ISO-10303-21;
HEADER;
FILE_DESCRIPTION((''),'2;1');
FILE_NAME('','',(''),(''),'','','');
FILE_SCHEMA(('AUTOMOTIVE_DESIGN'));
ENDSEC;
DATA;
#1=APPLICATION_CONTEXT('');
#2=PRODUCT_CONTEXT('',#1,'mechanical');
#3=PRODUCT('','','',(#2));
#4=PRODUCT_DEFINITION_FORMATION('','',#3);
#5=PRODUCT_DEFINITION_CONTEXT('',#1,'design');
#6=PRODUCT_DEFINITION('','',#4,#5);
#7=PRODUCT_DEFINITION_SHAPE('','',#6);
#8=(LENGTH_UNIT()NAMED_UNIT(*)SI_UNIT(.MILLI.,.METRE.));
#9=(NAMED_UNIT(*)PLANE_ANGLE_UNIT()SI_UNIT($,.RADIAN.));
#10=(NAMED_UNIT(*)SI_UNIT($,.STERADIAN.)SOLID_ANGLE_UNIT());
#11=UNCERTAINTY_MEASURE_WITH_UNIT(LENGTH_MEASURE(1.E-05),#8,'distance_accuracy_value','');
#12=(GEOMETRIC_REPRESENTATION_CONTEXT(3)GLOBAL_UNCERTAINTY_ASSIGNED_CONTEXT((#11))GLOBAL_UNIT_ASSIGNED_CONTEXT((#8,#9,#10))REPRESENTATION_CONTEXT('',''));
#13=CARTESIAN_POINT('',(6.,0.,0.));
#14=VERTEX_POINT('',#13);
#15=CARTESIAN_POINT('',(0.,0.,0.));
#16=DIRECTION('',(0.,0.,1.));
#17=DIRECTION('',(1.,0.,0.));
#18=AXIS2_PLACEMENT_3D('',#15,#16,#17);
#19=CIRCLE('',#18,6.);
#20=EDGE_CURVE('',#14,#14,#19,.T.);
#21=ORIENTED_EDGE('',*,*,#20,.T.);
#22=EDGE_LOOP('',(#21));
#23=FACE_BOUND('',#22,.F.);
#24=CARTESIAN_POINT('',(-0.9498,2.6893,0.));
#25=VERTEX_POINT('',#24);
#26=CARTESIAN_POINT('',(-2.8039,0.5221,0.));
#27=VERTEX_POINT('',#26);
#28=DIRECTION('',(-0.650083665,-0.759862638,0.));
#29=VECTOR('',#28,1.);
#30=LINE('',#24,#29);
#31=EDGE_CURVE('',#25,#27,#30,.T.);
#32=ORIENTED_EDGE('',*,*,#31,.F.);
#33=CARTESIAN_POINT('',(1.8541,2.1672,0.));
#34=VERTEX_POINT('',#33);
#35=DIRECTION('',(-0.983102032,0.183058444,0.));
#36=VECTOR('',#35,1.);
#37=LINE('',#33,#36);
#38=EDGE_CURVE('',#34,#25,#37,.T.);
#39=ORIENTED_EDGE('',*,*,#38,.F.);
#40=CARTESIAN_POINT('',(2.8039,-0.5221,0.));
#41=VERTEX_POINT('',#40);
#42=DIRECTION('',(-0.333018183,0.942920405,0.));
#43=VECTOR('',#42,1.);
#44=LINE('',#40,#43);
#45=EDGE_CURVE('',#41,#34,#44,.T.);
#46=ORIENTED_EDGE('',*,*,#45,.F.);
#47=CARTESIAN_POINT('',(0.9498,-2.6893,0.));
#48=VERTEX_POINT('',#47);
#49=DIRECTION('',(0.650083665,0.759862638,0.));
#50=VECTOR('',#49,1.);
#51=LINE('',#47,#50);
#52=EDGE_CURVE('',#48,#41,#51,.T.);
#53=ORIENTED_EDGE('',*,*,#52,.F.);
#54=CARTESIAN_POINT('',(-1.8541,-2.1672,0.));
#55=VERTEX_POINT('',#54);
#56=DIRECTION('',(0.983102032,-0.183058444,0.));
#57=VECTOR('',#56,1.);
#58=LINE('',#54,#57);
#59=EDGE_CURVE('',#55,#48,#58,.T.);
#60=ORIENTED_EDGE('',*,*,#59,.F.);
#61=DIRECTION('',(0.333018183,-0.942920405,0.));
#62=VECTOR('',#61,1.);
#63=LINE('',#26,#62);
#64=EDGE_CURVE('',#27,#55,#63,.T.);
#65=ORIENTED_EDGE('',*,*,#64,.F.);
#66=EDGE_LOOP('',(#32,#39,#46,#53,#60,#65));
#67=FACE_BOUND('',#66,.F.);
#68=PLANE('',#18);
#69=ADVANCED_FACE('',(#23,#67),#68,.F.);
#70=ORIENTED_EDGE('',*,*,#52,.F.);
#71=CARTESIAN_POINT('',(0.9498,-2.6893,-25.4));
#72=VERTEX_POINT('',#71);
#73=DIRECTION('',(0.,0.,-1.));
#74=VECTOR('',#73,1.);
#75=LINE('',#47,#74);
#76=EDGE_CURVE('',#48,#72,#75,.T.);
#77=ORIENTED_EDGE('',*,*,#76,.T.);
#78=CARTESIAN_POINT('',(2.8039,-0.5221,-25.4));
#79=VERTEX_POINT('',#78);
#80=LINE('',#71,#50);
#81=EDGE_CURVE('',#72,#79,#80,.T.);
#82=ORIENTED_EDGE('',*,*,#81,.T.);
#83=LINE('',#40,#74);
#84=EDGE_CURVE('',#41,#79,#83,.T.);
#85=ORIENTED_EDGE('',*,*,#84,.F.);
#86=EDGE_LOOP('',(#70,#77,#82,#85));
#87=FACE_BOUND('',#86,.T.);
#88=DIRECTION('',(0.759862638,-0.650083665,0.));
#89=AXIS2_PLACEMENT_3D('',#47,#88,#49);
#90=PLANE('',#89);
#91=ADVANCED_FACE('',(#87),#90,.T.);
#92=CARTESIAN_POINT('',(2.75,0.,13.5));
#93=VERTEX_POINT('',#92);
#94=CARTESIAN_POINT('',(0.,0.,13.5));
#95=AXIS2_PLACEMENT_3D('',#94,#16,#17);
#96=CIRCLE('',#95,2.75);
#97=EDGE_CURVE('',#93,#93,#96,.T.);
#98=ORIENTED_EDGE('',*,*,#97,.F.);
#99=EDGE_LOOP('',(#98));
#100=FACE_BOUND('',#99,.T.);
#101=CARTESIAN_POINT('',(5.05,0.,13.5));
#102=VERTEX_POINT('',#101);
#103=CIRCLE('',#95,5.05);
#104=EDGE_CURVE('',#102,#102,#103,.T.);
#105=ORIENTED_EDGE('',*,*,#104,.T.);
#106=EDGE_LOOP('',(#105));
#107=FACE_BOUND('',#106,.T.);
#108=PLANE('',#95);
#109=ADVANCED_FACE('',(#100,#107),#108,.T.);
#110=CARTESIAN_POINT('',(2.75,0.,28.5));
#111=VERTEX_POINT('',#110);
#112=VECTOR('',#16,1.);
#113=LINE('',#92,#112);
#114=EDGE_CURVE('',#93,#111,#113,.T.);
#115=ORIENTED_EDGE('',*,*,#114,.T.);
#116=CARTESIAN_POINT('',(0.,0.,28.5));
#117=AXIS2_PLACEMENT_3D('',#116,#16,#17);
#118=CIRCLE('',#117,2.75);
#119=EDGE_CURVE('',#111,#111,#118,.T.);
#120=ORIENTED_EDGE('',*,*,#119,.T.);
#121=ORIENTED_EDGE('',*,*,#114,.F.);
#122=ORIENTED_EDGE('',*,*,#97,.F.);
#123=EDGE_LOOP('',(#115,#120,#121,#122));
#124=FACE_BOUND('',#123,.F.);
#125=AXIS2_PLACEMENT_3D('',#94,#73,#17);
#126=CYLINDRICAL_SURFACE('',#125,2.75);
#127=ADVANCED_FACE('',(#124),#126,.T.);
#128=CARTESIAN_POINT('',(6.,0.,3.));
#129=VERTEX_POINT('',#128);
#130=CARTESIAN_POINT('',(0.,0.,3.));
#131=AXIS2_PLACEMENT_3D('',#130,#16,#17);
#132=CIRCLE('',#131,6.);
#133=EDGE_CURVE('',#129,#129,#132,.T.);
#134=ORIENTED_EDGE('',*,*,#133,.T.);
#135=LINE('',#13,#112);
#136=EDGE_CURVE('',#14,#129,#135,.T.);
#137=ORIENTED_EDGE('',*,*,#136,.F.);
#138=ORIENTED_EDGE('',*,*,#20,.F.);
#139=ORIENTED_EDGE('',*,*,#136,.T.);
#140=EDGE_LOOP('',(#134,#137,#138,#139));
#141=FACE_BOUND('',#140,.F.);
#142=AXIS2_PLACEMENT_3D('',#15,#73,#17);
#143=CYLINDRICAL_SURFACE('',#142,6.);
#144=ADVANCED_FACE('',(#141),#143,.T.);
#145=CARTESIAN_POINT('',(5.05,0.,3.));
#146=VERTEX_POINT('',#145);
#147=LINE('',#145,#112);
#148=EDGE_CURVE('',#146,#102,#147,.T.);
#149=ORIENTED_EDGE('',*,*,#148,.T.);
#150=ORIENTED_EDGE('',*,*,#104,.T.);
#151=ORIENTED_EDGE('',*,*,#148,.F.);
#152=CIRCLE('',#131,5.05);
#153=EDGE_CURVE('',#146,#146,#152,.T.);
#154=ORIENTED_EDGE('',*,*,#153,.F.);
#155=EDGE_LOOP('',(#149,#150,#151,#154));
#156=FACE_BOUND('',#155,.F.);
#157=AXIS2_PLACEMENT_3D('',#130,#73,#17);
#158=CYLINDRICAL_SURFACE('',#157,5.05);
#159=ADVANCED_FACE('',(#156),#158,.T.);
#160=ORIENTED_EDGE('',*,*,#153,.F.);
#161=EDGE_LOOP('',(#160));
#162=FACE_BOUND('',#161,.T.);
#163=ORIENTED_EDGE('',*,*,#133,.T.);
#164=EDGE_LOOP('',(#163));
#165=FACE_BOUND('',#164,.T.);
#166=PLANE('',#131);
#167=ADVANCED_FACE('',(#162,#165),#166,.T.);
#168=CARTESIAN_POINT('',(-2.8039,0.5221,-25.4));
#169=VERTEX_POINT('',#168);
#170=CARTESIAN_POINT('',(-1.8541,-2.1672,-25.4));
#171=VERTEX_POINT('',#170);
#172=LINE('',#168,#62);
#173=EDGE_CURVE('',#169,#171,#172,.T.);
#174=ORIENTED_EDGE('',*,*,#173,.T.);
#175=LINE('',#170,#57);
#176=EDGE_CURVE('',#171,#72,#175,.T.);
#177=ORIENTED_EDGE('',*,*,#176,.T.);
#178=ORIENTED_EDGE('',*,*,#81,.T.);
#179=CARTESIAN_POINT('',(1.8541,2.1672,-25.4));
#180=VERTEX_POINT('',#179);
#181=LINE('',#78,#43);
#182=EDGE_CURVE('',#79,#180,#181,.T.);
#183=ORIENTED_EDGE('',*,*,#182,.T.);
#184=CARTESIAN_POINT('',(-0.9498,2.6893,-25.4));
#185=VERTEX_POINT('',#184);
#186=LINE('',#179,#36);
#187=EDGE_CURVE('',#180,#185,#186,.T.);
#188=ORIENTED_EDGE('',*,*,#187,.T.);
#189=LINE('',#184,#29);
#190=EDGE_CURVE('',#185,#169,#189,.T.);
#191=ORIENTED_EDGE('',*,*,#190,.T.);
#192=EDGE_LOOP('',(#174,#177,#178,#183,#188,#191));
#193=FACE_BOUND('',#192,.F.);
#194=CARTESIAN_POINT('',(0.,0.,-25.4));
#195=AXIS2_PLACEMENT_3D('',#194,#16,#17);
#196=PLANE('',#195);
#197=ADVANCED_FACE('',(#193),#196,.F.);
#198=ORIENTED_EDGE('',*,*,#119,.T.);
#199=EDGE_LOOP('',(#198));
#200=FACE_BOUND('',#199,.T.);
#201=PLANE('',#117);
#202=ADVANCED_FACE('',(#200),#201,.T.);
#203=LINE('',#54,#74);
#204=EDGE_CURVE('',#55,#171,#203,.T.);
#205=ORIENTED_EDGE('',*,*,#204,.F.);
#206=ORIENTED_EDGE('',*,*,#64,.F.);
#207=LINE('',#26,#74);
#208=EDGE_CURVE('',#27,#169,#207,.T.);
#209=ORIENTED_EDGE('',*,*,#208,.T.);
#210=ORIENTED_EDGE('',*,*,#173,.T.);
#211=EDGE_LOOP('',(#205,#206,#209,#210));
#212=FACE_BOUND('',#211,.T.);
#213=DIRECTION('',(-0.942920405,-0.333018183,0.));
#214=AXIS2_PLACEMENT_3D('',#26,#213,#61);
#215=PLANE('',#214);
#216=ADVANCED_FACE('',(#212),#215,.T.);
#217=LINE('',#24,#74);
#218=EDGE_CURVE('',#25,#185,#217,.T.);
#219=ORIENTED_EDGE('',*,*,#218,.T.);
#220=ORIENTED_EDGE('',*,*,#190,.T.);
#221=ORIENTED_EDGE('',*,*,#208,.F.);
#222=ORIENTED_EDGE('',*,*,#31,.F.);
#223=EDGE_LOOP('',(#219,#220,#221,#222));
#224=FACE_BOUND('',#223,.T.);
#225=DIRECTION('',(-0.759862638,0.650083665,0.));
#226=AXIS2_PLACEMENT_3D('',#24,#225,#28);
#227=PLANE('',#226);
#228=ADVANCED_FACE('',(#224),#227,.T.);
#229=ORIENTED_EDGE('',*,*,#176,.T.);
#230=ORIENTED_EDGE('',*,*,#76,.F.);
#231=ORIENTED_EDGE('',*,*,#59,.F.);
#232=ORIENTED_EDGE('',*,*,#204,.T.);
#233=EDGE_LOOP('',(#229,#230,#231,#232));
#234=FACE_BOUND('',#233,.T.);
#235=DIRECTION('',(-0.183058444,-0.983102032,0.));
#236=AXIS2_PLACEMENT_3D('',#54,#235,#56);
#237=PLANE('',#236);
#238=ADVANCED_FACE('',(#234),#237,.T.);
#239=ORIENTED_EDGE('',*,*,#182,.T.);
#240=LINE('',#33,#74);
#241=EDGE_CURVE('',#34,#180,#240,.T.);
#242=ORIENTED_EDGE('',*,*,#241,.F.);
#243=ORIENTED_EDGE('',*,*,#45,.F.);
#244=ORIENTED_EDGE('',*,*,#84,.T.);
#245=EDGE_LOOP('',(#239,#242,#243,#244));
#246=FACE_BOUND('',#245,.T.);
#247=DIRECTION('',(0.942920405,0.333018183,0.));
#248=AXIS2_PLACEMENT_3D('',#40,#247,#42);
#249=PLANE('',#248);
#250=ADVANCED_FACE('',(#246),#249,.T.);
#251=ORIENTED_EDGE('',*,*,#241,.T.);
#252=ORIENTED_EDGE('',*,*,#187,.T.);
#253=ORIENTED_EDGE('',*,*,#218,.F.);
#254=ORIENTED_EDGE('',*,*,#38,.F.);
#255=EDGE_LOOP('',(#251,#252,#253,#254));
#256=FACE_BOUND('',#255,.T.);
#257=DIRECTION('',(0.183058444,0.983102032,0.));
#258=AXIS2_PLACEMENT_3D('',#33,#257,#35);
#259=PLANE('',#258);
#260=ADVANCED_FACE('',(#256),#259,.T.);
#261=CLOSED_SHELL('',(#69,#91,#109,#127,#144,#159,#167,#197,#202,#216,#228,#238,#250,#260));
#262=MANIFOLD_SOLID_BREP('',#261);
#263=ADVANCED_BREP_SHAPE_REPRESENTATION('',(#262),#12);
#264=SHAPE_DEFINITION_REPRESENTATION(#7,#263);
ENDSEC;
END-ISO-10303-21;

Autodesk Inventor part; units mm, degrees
ref_plane "YZ Plane" through (0, 0, 0) normal (1, 0, 0) x (0, 1, 0)
ref_plane "XZ Plane" through (0, 0, 0) normal (0, 1, 0) x (-1, 0, 0)
ref_plane "XY Plane" through (0, 0, 0) normal (0, 0, 1) x (1, 0, 0)
sketch "Sketch1" plane through (0, 0, 0) normal (0, 0, 1) x (1, 0, 0)
  circle A0 centre (0, 0) radius 4.5 construction
  line L0 (-1.8766, -2.1935) -> (-2.838, 0.5284) construction
  line L1 (-2.838, 0.5284) -> (-0.9614, 2.722) construction
  line L2 (-0.9614, 2.722) -> (1.8766, 2.1935) construction
  line L3 (1.8766, 2.1935) -> (2.838, -0.5284) construction
  line L4 (2.838, -0.5284) -> (0.9614, -2.722) construction
  line L5 (0.9614, -2.722) -> (-1.8766, -2.1935) construction
  line L6 (-0.9498, 2.6893) -> (-2.8039, 0.5221)
  line L7 (-2.8039, 0.5221) -> (-1.8541, -2.1672)
  line L8 (-1.8541, -2.1672) -> (0.9498, -2.6893)
  line L9 (0.9498, -2.6893) -> (2.8039, -0.5221)
  line L10 (2.8039, -0.5221) -> (1.8541, 2.1672)
  line L11 (1.8541, 2.1672) -> (-0.9498, 2.6893)
  dimension "d0" = 0.03
extrude "Extrusion1" add sketch "Sketch1" against normal blind 25.4
sketch "Sketch2" plane through (0, 0, 0) normal (0, 0, 1) x (1, 0, 0)
  circle A0 centre (0, 0) radius 6
  dimension "d3" = 12
extrude "Extrusion2" add sketch "Sketch2" along normal blind 3
sketch "Sketch4" plane through (0, 0, 3) normal (0, 0, 1) x (1, 0, 0)
  circle A0 centre (0, 0) radius 5.08 construction
  circle A1 centre (0, 8) radius 1.48 construction
  circle A2 centre (6.9282, 4) radius 1.48 construction
  circle A3 centre (6.9282, -4) radius 1.48 construction
  circle A4 centre (0, -8) radius 1.48 construction
  circle A5 centre (-6.9282, -4) radius 1.48 construction
  circle A6 centre (-6.9282, 4) radius 1.48 construction
  circle A7 centre (0, 0) radius 5.05
  circle A8 centre (0, 0) radius 12.7 projected
  point P0 (0, 0)
  dimension "d7" = 0.03
extrude "Extrusion3" add sketch "Sketch4" along normal blind 10.5 contours A7
sketch "Sketch5" plane through (0, 0, 13.5) normal (0, 0, 1) x (1, 0, 0)
  circle A0 centre (0, 0) radius 2.75
  point P0 (0, 0)
  dimension "d10" = 5.5
extrude "Extrusion4" add sketch "Sketch5" along normal blind 15
properties part number "Shaft"
